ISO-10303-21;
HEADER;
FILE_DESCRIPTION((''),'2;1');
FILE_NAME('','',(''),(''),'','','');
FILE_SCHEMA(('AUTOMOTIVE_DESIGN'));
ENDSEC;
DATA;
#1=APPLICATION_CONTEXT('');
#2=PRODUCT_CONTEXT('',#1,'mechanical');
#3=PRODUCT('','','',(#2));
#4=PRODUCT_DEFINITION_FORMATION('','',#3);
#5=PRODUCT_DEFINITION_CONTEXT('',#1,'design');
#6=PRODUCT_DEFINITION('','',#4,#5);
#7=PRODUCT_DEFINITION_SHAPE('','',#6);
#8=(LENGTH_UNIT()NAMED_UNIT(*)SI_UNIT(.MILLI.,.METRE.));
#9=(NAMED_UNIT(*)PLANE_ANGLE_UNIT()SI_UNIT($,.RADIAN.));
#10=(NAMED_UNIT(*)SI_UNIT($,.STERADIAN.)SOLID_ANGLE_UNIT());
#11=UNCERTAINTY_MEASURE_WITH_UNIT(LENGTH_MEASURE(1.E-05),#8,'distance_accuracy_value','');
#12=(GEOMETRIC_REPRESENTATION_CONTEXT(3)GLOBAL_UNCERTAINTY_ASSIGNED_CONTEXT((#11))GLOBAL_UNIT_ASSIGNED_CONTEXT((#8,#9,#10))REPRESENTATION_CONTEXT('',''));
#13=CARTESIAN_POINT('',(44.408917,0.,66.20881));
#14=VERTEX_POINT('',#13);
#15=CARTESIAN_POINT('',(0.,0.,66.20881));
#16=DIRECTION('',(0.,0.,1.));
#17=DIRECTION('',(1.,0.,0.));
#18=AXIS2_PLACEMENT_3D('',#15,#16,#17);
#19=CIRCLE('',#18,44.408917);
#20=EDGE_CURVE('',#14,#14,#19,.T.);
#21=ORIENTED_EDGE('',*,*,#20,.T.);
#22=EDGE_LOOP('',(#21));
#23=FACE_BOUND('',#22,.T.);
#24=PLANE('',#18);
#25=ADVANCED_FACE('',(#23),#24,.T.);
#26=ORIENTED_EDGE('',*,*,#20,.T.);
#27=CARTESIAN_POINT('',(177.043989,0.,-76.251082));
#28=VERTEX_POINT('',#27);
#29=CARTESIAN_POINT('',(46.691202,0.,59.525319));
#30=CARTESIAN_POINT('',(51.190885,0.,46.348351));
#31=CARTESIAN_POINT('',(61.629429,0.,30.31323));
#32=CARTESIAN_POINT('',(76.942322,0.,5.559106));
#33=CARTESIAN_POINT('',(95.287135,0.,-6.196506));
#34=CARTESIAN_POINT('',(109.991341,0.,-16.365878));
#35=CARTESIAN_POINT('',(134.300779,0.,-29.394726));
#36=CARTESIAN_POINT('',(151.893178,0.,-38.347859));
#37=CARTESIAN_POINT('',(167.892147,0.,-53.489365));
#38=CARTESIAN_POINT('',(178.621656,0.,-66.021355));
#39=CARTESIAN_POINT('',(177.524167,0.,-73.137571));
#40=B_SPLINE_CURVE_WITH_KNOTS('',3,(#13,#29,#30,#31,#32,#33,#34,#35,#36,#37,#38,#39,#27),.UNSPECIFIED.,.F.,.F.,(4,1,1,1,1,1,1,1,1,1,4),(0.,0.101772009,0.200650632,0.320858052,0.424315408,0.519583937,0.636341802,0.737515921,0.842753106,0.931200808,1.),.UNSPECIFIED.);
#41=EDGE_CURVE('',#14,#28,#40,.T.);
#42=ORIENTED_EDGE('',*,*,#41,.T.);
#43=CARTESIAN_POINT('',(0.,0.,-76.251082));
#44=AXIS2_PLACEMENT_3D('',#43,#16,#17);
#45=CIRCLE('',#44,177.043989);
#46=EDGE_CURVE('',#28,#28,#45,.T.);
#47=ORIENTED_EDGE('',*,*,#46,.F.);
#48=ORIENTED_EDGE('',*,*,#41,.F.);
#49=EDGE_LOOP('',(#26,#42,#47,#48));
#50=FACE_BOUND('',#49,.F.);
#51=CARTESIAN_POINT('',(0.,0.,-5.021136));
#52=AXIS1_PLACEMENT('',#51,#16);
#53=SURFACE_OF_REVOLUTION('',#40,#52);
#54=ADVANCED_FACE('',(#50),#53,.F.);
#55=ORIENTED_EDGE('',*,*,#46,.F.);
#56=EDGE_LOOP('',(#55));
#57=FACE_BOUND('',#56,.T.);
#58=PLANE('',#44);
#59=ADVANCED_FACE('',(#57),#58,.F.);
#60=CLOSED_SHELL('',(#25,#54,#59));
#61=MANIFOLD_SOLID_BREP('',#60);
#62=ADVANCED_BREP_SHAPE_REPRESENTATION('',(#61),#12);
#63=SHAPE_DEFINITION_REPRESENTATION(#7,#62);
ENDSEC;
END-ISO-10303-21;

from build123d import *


with BuildPart() as f1:
    # F0 (on Front) → F1 (revolve)
    with BuildSketch(Plane.XZ):
        with BuildLine():
            Line((0, 66.2088096142), (0, -76.2510821223))
            Line((0, -76.2510821223), (177.0439893007, -76.2510821223))
            add(Edge.make_bspline(
                [(44.4089174271, 66.2088096142), (46.6912017454, 59.5253192693), (51.1908848684, 46.3483507092), (61.6294293276, 30.313229613), (76.942321906, 5.5591062308), (95.2871352401, -6.1965063299), (109.9913413365, -16.3658776677), (134.3007785871, -29.394725574), (151.8931780657, -38.3478591604), (167.8921465966, -53.4893646554), (178.6216559361, -66.0213549295), (177.5241665612, -73.1375711506), (177.0439893007, -76.2510821223)],
                knots=[0, 0, 0, 0, 0.1017720091, 0.2006506324, 0.3208580522, 0.4243154085, 0.5195839367, 0.6363418019, 0.7375159207, 0.8427531061, 0.9312008075, 1, 1, 1, 1], degree=3))
            Line((44.4089174271, 66.2088096142), (0, 66.2088096142))
        make_face()
    revolve(axis=Axis((0, 0, -5.0211362541), (0, 0, 1)))


solid = f1.part
